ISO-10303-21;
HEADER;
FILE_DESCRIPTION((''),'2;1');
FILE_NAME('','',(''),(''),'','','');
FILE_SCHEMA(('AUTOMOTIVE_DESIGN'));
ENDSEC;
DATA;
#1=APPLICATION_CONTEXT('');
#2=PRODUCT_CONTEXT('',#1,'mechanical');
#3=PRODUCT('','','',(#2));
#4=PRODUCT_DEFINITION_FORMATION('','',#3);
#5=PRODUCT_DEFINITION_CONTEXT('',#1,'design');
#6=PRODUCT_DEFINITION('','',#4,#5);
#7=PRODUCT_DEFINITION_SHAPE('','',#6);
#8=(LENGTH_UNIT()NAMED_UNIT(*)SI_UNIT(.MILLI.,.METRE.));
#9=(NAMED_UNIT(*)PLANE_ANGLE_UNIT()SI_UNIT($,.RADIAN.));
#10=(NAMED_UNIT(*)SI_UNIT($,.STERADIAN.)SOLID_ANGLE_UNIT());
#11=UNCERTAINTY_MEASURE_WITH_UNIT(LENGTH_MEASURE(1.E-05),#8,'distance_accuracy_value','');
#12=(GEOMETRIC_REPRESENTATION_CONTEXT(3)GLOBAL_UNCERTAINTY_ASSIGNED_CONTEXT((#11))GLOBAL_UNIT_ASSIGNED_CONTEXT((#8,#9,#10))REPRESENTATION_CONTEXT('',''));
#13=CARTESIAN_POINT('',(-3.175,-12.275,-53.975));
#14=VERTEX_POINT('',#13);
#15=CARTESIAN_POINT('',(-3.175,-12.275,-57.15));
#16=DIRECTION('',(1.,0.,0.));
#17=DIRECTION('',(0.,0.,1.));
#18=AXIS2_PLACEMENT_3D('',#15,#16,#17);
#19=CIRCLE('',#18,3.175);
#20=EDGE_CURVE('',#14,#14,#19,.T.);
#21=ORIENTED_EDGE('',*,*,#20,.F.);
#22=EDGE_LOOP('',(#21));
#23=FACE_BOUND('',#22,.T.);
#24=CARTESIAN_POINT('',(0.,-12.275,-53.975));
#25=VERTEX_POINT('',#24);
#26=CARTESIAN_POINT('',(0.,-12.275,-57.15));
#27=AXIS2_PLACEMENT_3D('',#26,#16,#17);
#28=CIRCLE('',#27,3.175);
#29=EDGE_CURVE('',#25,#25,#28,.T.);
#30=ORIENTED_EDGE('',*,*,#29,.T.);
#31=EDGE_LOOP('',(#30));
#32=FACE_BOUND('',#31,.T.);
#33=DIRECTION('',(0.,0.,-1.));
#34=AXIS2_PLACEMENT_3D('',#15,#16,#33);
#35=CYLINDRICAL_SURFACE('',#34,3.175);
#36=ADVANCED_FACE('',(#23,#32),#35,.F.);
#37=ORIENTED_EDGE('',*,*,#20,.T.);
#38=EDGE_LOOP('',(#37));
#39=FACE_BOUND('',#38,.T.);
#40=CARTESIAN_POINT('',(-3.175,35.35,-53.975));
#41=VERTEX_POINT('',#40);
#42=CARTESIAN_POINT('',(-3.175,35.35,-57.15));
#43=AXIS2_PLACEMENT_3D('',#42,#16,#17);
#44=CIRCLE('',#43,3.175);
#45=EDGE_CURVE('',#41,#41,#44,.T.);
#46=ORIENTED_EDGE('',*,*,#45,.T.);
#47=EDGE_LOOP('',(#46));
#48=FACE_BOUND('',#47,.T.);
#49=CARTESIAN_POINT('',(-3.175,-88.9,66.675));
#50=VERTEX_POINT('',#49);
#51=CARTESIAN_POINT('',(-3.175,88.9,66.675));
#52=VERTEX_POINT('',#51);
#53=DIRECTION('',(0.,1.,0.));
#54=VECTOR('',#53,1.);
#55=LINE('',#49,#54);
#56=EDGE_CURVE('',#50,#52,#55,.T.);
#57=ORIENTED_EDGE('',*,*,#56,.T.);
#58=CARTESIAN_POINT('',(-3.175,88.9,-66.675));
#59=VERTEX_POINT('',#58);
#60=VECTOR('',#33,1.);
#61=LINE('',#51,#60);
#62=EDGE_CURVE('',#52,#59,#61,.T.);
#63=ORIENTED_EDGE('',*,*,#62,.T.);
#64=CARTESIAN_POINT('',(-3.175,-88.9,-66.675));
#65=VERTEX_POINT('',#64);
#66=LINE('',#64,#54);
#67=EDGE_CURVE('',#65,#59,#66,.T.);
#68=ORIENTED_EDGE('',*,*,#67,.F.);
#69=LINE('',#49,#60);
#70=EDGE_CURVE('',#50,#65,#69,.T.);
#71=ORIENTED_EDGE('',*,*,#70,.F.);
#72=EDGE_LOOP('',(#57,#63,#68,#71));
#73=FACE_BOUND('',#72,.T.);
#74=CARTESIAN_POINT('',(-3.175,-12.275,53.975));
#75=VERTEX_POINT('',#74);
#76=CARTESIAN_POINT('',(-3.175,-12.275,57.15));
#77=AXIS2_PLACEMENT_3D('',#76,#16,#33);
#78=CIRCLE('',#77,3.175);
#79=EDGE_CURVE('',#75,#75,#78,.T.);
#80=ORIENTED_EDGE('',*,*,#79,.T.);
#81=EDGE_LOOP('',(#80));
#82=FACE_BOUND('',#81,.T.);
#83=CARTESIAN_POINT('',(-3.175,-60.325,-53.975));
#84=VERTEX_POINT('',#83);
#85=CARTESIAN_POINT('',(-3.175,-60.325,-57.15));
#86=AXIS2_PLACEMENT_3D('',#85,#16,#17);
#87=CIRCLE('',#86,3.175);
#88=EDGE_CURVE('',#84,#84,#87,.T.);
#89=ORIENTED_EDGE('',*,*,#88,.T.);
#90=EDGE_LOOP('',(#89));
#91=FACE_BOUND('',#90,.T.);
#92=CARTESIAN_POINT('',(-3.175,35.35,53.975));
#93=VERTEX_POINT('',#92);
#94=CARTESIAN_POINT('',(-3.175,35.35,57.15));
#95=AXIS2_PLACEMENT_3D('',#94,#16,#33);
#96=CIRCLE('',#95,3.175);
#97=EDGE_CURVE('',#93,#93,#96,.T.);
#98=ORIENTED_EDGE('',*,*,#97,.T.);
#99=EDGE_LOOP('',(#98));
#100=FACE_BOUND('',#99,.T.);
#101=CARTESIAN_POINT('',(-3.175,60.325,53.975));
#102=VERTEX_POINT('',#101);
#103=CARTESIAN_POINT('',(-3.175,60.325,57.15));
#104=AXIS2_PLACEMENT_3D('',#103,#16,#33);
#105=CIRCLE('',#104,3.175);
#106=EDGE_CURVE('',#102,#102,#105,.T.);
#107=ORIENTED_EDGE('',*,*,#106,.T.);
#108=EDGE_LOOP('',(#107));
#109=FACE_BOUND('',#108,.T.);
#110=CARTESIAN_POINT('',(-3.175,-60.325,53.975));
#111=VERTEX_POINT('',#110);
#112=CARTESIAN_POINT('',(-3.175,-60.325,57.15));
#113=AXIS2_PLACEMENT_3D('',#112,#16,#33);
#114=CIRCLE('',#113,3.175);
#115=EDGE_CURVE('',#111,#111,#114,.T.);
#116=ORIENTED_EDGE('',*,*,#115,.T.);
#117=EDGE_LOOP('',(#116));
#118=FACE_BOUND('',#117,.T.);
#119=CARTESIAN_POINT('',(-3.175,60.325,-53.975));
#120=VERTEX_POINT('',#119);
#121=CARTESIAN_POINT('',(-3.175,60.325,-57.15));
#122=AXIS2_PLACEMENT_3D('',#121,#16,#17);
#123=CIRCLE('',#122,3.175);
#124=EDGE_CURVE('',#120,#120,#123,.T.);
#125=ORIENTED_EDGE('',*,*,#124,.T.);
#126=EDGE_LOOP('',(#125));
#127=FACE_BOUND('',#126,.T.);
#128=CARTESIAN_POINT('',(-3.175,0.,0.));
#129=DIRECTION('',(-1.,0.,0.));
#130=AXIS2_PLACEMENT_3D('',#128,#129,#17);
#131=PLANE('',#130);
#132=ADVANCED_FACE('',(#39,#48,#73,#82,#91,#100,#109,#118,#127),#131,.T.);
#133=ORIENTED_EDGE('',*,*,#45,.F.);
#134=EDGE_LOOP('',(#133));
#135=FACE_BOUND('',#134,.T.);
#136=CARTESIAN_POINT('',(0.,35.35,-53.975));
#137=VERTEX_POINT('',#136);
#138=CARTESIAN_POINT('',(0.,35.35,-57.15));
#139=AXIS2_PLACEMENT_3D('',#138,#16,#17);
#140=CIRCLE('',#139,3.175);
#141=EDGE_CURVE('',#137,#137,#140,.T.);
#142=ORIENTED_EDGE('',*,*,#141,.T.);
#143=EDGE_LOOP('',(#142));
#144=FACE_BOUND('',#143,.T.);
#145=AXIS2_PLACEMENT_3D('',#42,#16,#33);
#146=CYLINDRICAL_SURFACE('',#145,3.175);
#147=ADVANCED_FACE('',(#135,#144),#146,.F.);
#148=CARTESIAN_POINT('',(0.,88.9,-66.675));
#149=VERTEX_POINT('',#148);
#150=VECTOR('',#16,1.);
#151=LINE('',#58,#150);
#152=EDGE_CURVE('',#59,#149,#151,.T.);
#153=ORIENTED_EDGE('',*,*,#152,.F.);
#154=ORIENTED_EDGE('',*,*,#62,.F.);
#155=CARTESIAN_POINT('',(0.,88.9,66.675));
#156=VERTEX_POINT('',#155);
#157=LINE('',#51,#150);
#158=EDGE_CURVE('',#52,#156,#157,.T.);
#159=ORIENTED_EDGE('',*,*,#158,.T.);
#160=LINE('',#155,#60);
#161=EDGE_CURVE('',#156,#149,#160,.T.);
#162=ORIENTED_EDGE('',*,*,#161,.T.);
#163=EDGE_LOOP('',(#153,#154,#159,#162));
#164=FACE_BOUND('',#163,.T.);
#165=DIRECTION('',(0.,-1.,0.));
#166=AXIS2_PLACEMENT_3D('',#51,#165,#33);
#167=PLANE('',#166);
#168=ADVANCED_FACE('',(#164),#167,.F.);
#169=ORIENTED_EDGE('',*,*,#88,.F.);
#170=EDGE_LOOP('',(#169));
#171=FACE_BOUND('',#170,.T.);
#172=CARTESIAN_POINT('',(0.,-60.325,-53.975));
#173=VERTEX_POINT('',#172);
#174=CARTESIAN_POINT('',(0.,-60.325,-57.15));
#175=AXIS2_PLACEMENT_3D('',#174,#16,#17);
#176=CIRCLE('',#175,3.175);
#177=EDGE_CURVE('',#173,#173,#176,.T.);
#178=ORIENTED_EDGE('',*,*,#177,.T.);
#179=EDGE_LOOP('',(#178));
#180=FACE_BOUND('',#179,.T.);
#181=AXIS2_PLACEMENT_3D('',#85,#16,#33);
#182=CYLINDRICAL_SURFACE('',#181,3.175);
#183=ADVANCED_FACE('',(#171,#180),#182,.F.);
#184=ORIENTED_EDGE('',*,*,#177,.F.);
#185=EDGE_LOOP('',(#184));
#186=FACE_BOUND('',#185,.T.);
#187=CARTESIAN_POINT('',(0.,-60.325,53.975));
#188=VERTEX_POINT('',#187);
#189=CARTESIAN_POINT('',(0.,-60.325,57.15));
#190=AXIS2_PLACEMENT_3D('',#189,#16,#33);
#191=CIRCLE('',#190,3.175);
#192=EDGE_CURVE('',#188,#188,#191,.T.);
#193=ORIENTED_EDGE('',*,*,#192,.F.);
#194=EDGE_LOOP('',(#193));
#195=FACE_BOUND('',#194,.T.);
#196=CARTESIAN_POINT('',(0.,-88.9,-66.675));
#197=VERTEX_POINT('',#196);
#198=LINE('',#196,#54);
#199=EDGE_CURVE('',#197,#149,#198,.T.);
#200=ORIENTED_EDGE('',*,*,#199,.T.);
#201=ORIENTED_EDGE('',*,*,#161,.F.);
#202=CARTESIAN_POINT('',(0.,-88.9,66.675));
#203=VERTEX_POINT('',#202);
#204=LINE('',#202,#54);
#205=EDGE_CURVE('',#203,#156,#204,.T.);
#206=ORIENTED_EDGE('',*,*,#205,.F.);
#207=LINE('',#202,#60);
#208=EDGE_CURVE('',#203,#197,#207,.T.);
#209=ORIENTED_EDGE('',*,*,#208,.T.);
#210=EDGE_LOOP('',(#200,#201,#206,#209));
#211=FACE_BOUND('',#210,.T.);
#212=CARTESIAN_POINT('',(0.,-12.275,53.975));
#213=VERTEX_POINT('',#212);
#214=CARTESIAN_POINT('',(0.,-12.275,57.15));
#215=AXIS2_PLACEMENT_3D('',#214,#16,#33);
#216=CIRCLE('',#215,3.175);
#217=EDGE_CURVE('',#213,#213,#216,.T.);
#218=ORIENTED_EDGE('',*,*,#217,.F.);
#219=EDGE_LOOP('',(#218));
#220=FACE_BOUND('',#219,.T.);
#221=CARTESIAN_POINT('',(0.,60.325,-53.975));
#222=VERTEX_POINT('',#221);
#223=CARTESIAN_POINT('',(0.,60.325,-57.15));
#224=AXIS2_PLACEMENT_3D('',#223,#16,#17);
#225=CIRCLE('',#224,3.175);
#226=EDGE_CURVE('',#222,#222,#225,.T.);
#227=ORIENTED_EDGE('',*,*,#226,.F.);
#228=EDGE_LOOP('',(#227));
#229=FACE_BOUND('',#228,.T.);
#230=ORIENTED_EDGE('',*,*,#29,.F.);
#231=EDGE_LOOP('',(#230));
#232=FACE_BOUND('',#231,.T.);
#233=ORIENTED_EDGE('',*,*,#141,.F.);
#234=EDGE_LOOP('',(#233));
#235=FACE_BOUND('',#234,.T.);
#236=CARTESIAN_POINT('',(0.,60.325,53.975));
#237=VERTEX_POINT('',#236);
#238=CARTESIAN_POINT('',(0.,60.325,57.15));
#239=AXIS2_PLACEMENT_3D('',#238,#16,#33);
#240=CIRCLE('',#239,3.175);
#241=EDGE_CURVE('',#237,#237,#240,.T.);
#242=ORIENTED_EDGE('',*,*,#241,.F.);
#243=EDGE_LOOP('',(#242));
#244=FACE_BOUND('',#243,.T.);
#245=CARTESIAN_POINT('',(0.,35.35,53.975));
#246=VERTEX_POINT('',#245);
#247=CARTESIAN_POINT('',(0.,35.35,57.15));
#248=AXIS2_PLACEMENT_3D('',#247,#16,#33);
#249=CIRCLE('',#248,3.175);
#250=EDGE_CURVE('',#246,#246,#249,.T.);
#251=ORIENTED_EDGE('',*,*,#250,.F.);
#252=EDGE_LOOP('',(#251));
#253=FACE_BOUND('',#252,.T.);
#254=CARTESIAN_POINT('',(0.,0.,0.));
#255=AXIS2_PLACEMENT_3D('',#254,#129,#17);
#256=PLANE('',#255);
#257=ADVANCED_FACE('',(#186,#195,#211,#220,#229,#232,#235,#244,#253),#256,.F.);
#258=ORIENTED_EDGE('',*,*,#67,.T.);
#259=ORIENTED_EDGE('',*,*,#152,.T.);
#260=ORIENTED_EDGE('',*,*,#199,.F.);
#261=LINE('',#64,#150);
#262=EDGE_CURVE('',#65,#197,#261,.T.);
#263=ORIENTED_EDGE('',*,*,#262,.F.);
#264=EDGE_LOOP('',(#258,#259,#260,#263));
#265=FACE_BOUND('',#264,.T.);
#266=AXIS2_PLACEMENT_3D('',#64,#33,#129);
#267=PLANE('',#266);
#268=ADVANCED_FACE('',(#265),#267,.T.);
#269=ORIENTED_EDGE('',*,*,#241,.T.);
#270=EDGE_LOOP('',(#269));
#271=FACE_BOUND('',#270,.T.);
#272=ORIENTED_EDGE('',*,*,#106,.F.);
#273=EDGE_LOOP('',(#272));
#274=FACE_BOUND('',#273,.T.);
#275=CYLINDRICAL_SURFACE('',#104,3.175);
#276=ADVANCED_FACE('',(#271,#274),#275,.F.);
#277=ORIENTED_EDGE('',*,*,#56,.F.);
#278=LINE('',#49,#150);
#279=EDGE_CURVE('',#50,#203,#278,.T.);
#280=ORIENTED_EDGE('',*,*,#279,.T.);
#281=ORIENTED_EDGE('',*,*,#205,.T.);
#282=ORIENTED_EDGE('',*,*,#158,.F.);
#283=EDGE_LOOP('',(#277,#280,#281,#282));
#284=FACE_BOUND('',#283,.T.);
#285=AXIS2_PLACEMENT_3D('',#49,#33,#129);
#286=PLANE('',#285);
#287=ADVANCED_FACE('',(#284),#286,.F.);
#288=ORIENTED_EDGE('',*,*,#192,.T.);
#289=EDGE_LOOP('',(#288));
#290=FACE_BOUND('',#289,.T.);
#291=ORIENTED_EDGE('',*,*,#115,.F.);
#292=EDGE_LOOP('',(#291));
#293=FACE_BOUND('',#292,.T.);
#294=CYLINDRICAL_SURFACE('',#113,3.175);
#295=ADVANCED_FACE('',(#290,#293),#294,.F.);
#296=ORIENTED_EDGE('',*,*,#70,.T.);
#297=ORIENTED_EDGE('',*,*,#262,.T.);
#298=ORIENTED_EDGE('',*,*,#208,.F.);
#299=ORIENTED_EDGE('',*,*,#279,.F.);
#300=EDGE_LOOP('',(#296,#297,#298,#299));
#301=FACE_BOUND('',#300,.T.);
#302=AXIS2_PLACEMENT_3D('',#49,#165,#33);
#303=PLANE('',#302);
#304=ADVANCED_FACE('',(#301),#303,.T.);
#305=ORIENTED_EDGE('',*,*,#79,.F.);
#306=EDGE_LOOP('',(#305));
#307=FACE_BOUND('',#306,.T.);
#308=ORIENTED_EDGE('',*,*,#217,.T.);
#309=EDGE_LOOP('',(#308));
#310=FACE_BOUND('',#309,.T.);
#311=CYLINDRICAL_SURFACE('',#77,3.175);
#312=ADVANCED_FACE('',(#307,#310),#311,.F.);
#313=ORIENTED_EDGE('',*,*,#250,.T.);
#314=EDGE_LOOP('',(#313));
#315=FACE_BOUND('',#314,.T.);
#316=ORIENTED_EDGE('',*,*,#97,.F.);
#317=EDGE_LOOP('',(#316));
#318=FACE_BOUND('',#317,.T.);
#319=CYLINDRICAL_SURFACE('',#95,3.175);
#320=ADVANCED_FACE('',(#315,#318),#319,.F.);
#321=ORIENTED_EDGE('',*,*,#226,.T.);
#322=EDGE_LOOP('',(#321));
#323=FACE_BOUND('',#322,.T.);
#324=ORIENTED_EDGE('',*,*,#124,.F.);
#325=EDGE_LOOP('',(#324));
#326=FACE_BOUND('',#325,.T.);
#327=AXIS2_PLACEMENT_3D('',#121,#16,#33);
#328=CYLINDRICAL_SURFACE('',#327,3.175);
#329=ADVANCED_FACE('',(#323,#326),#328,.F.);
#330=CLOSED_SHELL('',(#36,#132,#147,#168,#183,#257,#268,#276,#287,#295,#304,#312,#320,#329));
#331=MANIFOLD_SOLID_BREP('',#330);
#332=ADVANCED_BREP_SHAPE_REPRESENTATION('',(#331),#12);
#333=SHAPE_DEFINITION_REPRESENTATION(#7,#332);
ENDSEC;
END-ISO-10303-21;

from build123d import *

# Parameters (mm, degrees)
SKETCH1_W           = 133.35
SKETCH1_H           = 177.8
BOSS_EXTRUDE1_DEPTH = 3.175
SKETCH2_R           = 3.175
CUT_EXTRUDE1_DEPTH  = 112.17034789


with BuildPart() as part:
    # Sketch1 → Boss-Extrude1 (new body)
    with BuildSketch(Plane(origin=(0, 0, 0), x_dir=(0, 0, -1), z_dir=(1, 0, 0))):
        Rectangle(SKETCH1_W, SKETCH1_H)
    extrude(amount=-BOSS_EXTRUDE1_DEPTH)

    # Sketch2 → Cut-Extrude1 (cut, through all)
    with BuildSketch(Plane(origin=(0, 0, 0), x_dir=(0, 0, -1), z_dir=(1, 0, 0))):
        with Locations((-57.15, -60.325)):
            Circle(SKETCH2_R)
        with Locations((-57.15, -12.275000088)):
            Circle(SKETCH2_R)
        with Locations(Location((57.15, -12.275000088, 0), (0, 0, 180))):
            Circle(SKETCH2_R)
        with Locations(Location((57.15, -60.325, 0), (0, 0, 180))):
            Circle(SKETCH2_R)
        with Locations((-57.15, 60.325)):
            Circle(SKETCH2_R)
        with Locations((-57.15, 35.349999912)):
            Circle(SKETCH2_R)
        with Locations(Location((57.15, 35.349999912, 0), (0, 0, 180))):
            Circle(SKETCH2_R)
        with Locations(Location((57.15, 60.325, 0), (0, 0, 180))):
            Circle(SKETCH2_R)
    extrude(amount=-CUT_EXTRUDE1_DEPTH, mode=Mode.SUBTRACT)


solid = part.part
